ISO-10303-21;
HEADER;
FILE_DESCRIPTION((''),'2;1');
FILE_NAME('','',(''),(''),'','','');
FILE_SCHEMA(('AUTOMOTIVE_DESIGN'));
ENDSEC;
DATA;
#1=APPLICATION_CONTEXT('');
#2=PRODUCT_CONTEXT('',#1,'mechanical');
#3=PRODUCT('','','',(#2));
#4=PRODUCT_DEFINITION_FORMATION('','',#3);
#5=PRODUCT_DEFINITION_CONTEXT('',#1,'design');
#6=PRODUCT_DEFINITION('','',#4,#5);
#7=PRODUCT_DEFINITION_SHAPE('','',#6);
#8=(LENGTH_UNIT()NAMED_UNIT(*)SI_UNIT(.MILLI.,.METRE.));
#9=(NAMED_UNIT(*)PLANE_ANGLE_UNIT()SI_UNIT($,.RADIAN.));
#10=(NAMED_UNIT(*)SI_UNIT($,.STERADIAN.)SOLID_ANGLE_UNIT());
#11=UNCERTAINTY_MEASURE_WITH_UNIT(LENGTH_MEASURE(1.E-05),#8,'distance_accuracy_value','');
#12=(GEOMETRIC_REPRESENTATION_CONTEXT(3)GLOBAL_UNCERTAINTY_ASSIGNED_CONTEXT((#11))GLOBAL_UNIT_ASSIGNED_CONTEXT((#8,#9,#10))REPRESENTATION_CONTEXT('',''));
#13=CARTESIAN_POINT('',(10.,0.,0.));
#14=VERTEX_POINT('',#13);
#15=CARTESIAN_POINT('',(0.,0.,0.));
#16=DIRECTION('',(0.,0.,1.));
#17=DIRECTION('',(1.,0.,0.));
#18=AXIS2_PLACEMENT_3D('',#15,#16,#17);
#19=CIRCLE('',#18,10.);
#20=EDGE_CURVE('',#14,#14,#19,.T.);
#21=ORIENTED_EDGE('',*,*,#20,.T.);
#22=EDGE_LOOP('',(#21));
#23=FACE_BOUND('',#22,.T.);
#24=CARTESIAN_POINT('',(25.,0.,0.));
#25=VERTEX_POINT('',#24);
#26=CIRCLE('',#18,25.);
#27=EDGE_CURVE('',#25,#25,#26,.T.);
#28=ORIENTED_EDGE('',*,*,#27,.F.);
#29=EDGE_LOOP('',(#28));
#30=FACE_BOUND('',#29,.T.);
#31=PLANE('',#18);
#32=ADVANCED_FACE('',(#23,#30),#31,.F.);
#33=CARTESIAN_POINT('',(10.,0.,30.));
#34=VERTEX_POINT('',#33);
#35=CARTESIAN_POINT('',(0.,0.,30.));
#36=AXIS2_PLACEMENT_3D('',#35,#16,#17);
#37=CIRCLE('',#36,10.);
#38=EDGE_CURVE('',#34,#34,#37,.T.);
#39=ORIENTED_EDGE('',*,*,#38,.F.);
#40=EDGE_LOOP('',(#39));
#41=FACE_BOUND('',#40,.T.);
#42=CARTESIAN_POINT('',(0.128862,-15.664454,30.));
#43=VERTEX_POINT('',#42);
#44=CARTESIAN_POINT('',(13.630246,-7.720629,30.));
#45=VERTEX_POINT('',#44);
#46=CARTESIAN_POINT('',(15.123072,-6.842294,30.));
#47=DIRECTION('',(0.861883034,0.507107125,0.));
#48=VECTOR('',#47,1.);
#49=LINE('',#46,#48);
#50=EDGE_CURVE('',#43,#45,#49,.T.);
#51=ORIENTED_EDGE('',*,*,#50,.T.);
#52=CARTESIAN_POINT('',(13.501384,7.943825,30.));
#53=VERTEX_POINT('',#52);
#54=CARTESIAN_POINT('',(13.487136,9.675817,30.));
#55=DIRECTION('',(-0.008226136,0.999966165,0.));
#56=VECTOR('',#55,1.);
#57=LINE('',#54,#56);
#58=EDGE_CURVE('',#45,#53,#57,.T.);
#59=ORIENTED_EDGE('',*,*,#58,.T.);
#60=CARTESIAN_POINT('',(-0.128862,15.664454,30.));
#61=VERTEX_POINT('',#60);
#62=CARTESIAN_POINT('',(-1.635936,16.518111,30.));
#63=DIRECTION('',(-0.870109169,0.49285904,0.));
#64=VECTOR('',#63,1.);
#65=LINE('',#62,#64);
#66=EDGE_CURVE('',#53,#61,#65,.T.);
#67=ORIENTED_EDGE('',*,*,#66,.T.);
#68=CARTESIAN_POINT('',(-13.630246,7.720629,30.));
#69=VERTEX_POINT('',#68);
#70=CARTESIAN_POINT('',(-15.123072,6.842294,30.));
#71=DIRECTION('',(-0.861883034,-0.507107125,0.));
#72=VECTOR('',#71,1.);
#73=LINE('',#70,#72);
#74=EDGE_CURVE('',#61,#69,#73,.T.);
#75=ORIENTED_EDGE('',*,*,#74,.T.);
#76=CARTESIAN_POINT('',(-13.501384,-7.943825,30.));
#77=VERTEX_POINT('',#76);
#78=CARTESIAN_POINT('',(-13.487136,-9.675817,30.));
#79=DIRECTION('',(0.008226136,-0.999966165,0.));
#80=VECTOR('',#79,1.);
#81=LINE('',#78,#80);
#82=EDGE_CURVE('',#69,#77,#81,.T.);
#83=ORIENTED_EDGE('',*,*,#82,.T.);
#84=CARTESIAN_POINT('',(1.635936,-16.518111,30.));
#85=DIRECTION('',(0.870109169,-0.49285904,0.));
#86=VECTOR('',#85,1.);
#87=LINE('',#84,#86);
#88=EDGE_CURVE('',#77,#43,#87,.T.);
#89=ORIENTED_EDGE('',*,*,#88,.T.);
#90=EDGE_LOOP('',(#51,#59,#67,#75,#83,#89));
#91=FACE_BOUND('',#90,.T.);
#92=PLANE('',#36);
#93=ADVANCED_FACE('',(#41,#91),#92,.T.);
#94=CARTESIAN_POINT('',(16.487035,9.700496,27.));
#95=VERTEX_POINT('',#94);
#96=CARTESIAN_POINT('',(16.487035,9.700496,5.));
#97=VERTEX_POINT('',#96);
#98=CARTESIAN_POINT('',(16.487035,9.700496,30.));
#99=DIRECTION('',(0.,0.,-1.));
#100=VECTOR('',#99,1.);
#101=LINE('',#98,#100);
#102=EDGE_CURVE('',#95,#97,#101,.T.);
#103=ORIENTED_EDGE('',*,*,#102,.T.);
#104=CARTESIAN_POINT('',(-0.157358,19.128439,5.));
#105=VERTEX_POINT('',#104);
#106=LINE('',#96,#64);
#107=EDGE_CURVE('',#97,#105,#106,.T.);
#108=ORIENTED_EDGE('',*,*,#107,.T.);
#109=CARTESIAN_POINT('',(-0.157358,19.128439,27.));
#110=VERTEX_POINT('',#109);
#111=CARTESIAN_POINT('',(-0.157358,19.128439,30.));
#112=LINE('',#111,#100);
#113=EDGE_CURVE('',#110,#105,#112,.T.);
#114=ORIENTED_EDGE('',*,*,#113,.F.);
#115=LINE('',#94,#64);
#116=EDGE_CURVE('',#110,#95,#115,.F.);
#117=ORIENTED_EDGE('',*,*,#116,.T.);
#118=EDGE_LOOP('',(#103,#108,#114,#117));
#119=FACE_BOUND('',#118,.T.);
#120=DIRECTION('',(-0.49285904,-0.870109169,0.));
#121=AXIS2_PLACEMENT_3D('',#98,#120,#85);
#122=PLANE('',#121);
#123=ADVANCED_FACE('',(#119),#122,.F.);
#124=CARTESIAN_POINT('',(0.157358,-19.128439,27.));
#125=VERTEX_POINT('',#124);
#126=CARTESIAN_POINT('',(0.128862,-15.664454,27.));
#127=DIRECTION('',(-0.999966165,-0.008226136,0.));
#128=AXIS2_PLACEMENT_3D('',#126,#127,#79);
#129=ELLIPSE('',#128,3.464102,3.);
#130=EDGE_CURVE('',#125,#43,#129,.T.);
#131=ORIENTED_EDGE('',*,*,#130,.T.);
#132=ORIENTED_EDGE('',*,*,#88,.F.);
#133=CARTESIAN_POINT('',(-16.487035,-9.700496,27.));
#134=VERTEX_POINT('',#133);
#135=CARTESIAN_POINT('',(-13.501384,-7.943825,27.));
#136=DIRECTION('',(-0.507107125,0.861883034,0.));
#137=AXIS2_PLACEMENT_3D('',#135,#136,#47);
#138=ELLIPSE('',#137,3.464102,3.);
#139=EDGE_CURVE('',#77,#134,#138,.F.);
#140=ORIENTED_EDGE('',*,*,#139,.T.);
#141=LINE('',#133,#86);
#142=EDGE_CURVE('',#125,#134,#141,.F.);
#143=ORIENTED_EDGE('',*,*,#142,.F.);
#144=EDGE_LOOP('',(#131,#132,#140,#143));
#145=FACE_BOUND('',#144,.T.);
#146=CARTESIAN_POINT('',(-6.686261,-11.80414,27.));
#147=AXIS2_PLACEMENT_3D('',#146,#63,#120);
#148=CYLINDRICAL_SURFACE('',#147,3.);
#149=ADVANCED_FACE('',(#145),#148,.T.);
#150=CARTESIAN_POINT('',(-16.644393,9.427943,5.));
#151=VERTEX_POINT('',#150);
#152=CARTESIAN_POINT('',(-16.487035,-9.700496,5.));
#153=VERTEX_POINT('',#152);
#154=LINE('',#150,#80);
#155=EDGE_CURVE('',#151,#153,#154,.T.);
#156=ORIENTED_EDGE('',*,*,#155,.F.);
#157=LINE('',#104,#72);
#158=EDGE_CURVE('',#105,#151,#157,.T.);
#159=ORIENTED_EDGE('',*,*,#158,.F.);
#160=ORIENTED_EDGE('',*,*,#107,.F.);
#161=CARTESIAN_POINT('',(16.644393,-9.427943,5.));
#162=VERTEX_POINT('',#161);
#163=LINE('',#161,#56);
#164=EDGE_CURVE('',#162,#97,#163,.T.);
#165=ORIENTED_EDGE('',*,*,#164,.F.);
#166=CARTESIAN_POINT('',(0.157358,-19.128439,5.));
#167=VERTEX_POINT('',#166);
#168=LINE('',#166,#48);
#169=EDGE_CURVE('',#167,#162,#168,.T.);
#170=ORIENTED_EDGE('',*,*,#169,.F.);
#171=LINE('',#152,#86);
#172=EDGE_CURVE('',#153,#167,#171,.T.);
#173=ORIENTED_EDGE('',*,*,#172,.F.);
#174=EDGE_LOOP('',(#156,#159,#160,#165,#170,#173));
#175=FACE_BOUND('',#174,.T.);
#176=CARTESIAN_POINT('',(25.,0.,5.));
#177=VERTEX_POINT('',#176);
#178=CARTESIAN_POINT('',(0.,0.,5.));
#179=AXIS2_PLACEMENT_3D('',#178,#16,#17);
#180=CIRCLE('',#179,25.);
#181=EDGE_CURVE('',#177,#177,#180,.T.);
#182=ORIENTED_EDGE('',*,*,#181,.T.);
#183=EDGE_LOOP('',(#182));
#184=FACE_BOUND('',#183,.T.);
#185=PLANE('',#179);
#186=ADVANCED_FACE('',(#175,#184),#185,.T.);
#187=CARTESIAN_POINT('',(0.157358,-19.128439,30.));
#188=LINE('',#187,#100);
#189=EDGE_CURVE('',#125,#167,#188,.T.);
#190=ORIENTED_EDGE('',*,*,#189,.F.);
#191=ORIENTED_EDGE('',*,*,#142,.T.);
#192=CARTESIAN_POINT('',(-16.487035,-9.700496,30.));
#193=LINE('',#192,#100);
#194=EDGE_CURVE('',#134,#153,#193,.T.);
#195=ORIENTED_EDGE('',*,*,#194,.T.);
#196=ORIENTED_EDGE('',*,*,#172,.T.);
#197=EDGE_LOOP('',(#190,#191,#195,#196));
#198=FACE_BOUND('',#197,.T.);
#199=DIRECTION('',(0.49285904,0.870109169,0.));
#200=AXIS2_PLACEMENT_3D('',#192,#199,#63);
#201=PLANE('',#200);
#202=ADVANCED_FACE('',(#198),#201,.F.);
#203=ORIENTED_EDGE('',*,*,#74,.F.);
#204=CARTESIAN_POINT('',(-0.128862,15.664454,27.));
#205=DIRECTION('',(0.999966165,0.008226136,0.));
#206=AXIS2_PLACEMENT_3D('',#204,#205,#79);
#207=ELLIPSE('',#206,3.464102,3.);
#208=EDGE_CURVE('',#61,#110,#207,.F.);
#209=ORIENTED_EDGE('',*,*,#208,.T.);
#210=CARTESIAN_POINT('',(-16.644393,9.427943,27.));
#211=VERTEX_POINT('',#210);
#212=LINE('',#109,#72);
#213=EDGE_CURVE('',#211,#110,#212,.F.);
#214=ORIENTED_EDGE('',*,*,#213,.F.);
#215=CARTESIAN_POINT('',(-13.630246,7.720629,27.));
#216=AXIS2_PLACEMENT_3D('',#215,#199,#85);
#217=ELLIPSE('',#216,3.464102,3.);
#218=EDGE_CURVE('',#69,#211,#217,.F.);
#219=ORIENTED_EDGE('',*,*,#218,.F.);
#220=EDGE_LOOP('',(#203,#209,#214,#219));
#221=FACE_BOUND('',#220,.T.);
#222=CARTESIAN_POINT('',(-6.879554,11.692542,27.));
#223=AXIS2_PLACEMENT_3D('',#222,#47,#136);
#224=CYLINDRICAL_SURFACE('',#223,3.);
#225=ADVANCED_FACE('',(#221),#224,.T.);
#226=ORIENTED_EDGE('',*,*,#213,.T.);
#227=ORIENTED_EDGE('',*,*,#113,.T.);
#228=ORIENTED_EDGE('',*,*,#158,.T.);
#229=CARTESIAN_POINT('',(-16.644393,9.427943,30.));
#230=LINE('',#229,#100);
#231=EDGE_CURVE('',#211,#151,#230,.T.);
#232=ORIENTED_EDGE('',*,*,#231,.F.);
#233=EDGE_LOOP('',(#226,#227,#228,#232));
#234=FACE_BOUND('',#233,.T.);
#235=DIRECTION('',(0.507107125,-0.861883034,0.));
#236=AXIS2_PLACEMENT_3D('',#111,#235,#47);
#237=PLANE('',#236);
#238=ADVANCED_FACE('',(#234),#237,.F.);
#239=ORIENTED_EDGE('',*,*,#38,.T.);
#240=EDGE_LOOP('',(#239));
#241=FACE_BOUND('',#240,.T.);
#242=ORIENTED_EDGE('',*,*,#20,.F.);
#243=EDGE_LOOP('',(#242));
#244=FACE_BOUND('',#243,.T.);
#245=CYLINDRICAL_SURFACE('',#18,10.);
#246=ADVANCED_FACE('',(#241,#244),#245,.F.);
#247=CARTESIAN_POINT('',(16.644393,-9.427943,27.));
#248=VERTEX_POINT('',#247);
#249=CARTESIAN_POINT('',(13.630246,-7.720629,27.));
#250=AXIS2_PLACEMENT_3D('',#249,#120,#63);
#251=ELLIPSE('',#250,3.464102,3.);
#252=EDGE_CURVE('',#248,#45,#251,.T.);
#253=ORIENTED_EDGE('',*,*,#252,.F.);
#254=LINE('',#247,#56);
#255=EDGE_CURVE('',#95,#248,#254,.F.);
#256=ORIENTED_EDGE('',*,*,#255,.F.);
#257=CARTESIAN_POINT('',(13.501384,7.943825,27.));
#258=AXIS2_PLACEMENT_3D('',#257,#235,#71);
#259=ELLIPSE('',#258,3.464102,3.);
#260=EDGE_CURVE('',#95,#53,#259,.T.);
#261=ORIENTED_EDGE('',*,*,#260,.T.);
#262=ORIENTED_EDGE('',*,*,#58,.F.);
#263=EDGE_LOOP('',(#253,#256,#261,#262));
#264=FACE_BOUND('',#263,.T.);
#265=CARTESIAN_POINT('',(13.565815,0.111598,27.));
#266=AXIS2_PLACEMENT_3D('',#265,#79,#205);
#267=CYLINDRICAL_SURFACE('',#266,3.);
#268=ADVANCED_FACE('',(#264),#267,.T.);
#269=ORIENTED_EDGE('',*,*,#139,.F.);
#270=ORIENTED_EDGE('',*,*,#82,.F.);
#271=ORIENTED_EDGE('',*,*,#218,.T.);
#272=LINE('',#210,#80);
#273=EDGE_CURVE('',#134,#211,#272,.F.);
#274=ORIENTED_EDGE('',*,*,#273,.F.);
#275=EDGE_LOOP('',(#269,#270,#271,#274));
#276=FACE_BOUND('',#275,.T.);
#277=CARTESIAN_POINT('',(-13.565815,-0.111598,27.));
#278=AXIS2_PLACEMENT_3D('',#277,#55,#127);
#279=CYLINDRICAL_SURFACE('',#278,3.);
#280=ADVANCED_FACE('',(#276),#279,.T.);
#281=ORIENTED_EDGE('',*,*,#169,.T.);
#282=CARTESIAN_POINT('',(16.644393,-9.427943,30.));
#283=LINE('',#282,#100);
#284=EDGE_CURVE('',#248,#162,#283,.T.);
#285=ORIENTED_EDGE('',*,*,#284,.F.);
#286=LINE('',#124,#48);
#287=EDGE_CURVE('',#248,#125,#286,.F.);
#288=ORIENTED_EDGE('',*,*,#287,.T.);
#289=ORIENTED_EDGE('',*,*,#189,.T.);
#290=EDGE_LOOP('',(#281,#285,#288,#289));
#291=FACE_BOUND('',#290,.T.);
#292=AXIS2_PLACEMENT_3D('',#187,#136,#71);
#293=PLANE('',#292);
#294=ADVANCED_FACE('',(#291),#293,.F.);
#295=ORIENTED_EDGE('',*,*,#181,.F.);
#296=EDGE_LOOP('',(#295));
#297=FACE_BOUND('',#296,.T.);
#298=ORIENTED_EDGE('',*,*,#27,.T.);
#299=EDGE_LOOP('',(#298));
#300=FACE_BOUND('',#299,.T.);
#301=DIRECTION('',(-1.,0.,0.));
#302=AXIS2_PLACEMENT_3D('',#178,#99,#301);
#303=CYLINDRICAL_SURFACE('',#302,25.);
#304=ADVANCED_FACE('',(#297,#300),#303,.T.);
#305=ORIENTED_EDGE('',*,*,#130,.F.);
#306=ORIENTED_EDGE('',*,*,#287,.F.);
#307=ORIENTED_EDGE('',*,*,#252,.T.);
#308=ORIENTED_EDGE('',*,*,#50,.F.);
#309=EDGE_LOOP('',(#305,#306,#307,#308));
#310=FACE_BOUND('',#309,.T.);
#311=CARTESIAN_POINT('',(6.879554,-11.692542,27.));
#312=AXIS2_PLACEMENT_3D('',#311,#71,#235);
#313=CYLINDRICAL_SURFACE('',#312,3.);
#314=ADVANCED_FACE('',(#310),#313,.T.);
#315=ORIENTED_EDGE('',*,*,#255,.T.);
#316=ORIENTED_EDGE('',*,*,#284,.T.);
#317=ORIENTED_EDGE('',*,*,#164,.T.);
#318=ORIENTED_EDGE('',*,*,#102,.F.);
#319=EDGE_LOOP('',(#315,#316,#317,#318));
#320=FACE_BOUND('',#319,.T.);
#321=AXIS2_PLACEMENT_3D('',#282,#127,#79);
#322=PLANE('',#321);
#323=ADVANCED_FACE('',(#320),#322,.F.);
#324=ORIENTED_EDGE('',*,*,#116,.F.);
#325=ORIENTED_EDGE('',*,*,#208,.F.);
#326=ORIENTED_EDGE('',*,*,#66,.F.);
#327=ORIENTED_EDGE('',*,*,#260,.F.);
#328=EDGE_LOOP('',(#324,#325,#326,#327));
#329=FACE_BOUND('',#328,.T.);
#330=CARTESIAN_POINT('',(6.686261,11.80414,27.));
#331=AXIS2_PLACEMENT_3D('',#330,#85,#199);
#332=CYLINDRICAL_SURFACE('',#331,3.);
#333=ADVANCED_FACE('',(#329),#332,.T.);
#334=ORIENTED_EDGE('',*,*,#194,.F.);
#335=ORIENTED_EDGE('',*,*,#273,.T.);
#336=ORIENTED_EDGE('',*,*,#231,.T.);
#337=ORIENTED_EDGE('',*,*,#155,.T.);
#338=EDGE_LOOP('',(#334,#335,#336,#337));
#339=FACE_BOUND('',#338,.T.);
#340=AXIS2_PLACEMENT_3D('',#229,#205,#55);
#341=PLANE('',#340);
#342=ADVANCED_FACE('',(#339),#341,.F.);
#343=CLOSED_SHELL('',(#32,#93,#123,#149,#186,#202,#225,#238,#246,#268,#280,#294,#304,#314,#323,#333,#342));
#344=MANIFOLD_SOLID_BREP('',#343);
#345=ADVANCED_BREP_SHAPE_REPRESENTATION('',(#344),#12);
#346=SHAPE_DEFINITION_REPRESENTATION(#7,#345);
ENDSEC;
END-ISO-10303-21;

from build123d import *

# Parameters (mm, degrees)
SKETCH2_R           = 25
BOSS_EXTRUDE1_DEPTH = 5
BOSS_EXTRUDE2_DEPTH = 25
FILLET6_R           = 3
SKETCH5_R           = 10
CUT_EXTRUDE1_DEPTH  = 31


with BuildPart() as part:
    # Sketch2 → Boss-Extrude1 (new body)
    with BuildSketch(Plane.XY):
        Circle(SKETCH2_R)
    extrude(amount=BOSS_EXTRUDE1_DEPTH)

    # Sketch3 → Boss-Extrude2 (add)
    with BuildSketch(Plane.XY.offset(5)):
        Polygon((16.644393052, -9.427942918), (16.487034598, 9.700495755), (-0.157358454, 19.128438672), (-16.644393052, 9.427942918), (-16.487034598, -9.700495755), (0.157358454, -19.128438672), align=None)
    extrude(amount=BOSS_EXTRUDE2_DEPTH)

    # Fillet6
    fillet6_edges = [part.edges().sort_by_distance(p)[0] for p in [
        (8.400875753, -14.278190795, 30),
        (16.565713825, 0.136276419, 30),
        (8.164838072, 14.414467214, 30),
        (-8.400875753, 14.278190795, 30),
        (-16.565713825, -0.136276419, 30),
        (-8.164838072, -14.414467214, 30),
    ]]
    fillet(fillet6_edges, radius=FILLET6_R)

    # Sketch5 → Cut-Extrude1 (cut, through all)
    with BuildSketch(Plane.XY.offset(30)):
        Circle(SKETCH5_R)
    extrude(amount=-CUT_EXTRUDE1_DEPTH, mode=Mode.SUBTRACT)


solid = part.part
